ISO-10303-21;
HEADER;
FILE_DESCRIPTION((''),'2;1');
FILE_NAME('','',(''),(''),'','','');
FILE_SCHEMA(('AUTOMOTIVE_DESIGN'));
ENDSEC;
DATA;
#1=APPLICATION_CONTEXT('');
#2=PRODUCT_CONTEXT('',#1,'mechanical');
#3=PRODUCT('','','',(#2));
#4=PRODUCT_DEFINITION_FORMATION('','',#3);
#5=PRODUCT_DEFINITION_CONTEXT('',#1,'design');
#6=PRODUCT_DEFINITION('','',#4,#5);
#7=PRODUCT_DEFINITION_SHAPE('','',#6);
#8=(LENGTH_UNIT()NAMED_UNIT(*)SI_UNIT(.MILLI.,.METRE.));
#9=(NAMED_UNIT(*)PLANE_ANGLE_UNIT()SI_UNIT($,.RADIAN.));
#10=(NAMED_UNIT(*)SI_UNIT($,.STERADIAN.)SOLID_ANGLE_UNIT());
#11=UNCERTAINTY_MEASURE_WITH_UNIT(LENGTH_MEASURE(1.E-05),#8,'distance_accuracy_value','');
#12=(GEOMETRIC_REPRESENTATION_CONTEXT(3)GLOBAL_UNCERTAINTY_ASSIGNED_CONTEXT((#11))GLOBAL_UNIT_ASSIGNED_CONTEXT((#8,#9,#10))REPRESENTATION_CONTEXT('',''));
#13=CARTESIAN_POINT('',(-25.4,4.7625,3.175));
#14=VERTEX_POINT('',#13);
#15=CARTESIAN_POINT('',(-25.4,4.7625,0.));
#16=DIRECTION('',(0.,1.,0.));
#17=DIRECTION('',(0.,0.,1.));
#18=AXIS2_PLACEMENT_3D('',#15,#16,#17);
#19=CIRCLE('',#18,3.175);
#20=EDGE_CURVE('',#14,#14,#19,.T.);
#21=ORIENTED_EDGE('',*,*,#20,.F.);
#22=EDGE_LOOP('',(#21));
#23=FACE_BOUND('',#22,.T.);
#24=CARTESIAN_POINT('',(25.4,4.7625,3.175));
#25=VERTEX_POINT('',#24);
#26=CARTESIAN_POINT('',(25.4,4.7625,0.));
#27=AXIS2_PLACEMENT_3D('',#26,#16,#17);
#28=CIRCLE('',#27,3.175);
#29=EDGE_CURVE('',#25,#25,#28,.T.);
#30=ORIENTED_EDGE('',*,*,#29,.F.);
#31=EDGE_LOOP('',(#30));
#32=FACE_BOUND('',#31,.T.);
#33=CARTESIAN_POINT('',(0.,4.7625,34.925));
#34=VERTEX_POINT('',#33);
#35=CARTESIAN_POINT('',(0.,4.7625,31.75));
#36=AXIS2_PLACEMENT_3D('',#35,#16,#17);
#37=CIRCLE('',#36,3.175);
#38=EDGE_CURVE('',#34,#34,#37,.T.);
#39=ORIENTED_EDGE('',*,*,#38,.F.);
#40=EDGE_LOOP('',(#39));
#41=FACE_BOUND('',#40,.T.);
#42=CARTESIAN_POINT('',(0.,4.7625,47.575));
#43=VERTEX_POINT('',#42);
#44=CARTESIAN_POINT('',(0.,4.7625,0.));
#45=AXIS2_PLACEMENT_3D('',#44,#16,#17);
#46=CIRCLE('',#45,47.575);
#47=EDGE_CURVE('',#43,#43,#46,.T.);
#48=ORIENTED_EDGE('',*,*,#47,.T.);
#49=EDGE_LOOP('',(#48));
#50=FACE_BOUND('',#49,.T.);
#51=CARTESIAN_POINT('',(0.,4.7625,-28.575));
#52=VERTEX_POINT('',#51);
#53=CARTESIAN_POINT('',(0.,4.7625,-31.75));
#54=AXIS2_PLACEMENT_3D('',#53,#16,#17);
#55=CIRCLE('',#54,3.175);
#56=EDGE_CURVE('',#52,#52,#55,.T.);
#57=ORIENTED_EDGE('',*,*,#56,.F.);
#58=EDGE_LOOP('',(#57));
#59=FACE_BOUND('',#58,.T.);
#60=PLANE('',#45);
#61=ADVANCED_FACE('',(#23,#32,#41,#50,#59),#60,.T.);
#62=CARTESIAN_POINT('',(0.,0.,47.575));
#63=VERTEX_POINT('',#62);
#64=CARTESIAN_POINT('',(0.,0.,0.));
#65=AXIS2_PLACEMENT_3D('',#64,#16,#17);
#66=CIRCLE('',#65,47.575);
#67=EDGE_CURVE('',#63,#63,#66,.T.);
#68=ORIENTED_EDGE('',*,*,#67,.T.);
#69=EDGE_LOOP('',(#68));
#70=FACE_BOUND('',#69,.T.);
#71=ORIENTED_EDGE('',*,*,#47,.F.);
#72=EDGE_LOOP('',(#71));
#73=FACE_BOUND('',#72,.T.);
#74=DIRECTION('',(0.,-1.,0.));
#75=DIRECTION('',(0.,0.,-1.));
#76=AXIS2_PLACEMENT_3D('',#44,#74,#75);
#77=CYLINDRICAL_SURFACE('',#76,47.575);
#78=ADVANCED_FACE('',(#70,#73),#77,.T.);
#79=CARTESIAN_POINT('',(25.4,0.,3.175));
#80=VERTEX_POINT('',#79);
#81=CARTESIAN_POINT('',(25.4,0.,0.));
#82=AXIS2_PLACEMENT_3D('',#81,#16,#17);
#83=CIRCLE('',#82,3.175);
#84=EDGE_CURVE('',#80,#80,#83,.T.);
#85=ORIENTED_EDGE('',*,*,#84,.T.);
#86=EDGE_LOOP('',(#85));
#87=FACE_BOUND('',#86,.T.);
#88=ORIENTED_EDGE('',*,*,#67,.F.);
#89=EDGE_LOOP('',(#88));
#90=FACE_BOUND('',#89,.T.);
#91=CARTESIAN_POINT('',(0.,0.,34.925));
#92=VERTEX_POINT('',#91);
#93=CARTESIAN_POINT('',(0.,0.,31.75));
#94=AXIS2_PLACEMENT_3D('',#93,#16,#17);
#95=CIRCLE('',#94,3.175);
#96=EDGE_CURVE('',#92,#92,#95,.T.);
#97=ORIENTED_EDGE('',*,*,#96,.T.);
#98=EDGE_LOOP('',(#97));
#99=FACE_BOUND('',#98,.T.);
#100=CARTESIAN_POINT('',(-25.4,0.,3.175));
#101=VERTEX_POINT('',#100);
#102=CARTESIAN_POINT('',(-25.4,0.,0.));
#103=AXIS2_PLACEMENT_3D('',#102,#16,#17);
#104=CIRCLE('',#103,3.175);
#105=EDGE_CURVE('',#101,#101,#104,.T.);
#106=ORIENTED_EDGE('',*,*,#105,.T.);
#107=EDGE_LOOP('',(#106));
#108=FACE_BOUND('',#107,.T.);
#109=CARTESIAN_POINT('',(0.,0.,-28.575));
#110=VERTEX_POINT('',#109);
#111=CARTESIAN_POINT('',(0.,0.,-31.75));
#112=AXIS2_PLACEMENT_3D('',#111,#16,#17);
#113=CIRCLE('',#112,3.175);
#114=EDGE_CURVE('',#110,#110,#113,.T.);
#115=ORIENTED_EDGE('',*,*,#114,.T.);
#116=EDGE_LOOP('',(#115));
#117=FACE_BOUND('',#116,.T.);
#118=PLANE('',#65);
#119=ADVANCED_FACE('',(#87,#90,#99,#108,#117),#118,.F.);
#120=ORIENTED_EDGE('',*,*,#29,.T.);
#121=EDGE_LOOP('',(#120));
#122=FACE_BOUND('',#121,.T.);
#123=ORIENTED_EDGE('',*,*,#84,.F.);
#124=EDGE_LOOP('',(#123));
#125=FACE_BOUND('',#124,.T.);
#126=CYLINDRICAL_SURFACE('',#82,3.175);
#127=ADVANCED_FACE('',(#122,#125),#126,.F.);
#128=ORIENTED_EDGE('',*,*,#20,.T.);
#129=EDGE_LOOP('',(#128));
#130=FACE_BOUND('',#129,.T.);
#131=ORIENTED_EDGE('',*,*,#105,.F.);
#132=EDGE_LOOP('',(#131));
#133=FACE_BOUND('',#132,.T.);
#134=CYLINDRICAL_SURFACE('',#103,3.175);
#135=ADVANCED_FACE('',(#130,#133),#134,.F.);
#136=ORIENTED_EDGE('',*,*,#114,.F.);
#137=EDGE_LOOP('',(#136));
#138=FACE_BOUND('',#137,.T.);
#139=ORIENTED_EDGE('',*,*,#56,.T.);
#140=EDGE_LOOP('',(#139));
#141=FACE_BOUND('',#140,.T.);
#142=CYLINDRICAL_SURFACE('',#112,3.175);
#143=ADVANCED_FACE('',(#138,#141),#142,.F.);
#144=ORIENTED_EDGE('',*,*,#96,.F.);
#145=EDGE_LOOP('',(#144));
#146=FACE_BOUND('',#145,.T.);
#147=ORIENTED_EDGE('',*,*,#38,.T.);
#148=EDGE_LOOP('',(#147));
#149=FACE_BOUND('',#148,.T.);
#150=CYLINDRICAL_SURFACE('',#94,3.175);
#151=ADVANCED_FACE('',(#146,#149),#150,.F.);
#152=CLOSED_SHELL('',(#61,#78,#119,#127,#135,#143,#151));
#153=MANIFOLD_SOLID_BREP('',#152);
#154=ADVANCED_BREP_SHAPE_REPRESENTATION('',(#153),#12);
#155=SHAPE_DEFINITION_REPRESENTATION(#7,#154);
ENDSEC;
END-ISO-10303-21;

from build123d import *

# Parameters (mm, degrees)
SKETCH1_R           = 47.575
BOSS_EXTRUDE1_DEPTH = 4.7625
SKETCH2_R           = 3.175
CUT_EXTRUDE1_DEPTH  = 5.7625


with BuildPart() as part:
    # Sketch1 → Boss-Extrude1 (new body)
    with BuildSketch(Plane(origin=(0, 0, 0), x_dir=(1, 0, 0), z_dir=(0, 1, 0))):
        Circle(SKETCH1_R)
    extrude(amount=BOSS_EXTRUDE1_DEPTH)

    # Sketch2 → Cut-Extrude1 (cut, through all)
    with BuildSketch(Plane(origin=(0, 4.7625, 0), x_dir=(1, 0, 0), z_dir=(0, 1, 0))):
        with Locations((25.4, 0)):
            Circle(SKETCH2_R)
        with Locations((-25.4, 0)):
            Circle(SKETCH2_R)
        with Locations((0, 31.75)):
            Circle(SKETCH2_R)
        with Locations((0, -31.75)):
            Circle(SKETCH2_R)
    extrude(amount=-CUT_EXTRUDE1_DEPTH, mode=Mode.SUBTRACT)


solid = part.part
